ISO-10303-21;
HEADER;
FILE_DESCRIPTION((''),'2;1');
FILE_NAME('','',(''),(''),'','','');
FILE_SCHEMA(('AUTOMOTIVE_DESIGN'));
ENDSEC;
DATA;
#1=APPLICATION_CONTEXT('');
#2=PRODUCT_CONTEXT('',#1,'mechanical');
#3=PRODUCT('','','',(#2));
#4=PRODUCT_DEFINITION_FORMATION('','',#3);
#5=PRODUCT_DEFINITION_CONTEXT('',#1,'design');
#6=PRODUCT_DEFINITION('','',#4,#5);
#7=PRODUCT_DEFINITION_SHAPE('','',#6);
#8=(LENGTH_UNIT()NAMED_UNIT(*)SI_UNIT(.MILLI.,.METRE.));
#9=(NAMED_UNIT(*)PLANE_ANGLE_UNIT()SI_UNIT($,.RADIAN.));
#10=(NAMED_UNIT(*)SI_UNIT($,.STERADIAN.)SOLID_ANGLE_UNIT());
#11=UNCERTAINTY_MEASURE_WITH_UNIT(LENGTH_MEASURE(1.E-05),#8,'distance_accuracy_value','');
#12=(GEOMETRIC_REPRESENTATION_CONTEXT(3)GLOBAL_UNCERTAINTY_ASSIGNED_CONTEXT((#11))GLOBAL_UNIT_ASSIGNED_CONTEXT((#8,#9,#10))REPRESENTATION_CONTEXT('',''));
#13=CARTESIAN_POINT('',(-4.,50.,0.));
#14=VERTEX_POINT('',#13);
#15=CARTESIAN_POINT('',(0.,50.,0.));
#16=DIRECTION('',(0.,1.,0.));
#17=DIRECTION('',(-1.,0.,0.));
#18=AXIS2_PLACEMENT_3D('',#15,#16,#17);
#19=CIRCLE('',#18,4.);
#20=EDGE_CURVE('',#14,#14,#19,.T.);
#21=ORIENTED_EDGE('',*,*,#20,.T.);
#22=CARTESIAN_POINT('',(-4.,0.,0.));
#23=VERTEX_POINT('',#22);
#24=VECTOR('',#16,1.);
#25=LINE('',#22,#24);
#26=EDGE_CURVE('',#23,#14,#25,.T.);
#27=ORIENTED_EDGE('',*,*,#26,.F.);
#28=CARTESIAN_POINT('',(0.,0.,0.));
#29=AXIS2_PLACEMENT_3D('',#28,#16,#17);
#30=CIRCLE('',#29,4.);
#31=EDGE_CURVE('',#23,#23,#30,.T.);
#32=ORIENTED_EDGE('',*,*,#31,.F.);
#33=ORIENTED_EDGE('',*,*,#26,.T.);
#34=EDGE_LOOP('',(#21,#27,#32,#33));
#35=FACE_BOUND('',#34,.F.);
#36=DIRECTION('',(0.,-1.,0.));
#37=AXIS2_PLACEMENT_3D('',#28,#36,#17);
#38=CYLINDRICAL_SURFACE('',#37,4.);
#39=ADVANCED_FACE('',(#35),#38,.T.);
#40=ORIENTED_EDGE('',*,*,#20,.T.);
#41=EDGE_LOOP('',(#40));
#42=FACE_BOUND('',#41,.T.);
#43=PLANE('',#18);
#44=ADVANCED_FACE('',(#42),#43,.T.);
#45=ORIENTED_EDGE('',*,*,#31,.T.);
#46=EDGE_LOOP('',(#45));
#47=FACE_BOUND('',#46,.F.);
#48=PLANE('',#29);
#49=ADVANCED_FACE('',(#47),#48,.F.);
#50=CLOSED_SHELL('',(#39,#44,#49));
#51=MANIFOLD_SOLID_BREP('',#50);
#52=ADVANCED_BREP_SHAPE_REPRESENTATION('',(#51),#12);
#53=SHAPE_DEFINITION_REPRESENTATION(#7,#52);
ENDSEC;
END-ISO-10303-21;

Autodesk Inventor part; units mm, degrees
ref_plane "YZ Plane" through (0, 0, 0) normal (1, 0, 0) x (0, 1, 0)
ref_plane "XZ Plane" through (0, 0, 0) normal (0, 1, 0) x (-1, 0, 0)
ref_plane "XY Plane" through (0, 0, 0) normal (0, 0, 1) x (1, 0, 0)
sketch "Sketch1" plane through (0, 0, 0) normal (0, 1, 0) x (-1, 0, 0)
  circle A0 centre (0, 0) radius 4
  dimension "d0" = 8
extrude "Extrusion1" add sketch "Sketch1" along normal blind 50
properties part number "rotary_shaft"
